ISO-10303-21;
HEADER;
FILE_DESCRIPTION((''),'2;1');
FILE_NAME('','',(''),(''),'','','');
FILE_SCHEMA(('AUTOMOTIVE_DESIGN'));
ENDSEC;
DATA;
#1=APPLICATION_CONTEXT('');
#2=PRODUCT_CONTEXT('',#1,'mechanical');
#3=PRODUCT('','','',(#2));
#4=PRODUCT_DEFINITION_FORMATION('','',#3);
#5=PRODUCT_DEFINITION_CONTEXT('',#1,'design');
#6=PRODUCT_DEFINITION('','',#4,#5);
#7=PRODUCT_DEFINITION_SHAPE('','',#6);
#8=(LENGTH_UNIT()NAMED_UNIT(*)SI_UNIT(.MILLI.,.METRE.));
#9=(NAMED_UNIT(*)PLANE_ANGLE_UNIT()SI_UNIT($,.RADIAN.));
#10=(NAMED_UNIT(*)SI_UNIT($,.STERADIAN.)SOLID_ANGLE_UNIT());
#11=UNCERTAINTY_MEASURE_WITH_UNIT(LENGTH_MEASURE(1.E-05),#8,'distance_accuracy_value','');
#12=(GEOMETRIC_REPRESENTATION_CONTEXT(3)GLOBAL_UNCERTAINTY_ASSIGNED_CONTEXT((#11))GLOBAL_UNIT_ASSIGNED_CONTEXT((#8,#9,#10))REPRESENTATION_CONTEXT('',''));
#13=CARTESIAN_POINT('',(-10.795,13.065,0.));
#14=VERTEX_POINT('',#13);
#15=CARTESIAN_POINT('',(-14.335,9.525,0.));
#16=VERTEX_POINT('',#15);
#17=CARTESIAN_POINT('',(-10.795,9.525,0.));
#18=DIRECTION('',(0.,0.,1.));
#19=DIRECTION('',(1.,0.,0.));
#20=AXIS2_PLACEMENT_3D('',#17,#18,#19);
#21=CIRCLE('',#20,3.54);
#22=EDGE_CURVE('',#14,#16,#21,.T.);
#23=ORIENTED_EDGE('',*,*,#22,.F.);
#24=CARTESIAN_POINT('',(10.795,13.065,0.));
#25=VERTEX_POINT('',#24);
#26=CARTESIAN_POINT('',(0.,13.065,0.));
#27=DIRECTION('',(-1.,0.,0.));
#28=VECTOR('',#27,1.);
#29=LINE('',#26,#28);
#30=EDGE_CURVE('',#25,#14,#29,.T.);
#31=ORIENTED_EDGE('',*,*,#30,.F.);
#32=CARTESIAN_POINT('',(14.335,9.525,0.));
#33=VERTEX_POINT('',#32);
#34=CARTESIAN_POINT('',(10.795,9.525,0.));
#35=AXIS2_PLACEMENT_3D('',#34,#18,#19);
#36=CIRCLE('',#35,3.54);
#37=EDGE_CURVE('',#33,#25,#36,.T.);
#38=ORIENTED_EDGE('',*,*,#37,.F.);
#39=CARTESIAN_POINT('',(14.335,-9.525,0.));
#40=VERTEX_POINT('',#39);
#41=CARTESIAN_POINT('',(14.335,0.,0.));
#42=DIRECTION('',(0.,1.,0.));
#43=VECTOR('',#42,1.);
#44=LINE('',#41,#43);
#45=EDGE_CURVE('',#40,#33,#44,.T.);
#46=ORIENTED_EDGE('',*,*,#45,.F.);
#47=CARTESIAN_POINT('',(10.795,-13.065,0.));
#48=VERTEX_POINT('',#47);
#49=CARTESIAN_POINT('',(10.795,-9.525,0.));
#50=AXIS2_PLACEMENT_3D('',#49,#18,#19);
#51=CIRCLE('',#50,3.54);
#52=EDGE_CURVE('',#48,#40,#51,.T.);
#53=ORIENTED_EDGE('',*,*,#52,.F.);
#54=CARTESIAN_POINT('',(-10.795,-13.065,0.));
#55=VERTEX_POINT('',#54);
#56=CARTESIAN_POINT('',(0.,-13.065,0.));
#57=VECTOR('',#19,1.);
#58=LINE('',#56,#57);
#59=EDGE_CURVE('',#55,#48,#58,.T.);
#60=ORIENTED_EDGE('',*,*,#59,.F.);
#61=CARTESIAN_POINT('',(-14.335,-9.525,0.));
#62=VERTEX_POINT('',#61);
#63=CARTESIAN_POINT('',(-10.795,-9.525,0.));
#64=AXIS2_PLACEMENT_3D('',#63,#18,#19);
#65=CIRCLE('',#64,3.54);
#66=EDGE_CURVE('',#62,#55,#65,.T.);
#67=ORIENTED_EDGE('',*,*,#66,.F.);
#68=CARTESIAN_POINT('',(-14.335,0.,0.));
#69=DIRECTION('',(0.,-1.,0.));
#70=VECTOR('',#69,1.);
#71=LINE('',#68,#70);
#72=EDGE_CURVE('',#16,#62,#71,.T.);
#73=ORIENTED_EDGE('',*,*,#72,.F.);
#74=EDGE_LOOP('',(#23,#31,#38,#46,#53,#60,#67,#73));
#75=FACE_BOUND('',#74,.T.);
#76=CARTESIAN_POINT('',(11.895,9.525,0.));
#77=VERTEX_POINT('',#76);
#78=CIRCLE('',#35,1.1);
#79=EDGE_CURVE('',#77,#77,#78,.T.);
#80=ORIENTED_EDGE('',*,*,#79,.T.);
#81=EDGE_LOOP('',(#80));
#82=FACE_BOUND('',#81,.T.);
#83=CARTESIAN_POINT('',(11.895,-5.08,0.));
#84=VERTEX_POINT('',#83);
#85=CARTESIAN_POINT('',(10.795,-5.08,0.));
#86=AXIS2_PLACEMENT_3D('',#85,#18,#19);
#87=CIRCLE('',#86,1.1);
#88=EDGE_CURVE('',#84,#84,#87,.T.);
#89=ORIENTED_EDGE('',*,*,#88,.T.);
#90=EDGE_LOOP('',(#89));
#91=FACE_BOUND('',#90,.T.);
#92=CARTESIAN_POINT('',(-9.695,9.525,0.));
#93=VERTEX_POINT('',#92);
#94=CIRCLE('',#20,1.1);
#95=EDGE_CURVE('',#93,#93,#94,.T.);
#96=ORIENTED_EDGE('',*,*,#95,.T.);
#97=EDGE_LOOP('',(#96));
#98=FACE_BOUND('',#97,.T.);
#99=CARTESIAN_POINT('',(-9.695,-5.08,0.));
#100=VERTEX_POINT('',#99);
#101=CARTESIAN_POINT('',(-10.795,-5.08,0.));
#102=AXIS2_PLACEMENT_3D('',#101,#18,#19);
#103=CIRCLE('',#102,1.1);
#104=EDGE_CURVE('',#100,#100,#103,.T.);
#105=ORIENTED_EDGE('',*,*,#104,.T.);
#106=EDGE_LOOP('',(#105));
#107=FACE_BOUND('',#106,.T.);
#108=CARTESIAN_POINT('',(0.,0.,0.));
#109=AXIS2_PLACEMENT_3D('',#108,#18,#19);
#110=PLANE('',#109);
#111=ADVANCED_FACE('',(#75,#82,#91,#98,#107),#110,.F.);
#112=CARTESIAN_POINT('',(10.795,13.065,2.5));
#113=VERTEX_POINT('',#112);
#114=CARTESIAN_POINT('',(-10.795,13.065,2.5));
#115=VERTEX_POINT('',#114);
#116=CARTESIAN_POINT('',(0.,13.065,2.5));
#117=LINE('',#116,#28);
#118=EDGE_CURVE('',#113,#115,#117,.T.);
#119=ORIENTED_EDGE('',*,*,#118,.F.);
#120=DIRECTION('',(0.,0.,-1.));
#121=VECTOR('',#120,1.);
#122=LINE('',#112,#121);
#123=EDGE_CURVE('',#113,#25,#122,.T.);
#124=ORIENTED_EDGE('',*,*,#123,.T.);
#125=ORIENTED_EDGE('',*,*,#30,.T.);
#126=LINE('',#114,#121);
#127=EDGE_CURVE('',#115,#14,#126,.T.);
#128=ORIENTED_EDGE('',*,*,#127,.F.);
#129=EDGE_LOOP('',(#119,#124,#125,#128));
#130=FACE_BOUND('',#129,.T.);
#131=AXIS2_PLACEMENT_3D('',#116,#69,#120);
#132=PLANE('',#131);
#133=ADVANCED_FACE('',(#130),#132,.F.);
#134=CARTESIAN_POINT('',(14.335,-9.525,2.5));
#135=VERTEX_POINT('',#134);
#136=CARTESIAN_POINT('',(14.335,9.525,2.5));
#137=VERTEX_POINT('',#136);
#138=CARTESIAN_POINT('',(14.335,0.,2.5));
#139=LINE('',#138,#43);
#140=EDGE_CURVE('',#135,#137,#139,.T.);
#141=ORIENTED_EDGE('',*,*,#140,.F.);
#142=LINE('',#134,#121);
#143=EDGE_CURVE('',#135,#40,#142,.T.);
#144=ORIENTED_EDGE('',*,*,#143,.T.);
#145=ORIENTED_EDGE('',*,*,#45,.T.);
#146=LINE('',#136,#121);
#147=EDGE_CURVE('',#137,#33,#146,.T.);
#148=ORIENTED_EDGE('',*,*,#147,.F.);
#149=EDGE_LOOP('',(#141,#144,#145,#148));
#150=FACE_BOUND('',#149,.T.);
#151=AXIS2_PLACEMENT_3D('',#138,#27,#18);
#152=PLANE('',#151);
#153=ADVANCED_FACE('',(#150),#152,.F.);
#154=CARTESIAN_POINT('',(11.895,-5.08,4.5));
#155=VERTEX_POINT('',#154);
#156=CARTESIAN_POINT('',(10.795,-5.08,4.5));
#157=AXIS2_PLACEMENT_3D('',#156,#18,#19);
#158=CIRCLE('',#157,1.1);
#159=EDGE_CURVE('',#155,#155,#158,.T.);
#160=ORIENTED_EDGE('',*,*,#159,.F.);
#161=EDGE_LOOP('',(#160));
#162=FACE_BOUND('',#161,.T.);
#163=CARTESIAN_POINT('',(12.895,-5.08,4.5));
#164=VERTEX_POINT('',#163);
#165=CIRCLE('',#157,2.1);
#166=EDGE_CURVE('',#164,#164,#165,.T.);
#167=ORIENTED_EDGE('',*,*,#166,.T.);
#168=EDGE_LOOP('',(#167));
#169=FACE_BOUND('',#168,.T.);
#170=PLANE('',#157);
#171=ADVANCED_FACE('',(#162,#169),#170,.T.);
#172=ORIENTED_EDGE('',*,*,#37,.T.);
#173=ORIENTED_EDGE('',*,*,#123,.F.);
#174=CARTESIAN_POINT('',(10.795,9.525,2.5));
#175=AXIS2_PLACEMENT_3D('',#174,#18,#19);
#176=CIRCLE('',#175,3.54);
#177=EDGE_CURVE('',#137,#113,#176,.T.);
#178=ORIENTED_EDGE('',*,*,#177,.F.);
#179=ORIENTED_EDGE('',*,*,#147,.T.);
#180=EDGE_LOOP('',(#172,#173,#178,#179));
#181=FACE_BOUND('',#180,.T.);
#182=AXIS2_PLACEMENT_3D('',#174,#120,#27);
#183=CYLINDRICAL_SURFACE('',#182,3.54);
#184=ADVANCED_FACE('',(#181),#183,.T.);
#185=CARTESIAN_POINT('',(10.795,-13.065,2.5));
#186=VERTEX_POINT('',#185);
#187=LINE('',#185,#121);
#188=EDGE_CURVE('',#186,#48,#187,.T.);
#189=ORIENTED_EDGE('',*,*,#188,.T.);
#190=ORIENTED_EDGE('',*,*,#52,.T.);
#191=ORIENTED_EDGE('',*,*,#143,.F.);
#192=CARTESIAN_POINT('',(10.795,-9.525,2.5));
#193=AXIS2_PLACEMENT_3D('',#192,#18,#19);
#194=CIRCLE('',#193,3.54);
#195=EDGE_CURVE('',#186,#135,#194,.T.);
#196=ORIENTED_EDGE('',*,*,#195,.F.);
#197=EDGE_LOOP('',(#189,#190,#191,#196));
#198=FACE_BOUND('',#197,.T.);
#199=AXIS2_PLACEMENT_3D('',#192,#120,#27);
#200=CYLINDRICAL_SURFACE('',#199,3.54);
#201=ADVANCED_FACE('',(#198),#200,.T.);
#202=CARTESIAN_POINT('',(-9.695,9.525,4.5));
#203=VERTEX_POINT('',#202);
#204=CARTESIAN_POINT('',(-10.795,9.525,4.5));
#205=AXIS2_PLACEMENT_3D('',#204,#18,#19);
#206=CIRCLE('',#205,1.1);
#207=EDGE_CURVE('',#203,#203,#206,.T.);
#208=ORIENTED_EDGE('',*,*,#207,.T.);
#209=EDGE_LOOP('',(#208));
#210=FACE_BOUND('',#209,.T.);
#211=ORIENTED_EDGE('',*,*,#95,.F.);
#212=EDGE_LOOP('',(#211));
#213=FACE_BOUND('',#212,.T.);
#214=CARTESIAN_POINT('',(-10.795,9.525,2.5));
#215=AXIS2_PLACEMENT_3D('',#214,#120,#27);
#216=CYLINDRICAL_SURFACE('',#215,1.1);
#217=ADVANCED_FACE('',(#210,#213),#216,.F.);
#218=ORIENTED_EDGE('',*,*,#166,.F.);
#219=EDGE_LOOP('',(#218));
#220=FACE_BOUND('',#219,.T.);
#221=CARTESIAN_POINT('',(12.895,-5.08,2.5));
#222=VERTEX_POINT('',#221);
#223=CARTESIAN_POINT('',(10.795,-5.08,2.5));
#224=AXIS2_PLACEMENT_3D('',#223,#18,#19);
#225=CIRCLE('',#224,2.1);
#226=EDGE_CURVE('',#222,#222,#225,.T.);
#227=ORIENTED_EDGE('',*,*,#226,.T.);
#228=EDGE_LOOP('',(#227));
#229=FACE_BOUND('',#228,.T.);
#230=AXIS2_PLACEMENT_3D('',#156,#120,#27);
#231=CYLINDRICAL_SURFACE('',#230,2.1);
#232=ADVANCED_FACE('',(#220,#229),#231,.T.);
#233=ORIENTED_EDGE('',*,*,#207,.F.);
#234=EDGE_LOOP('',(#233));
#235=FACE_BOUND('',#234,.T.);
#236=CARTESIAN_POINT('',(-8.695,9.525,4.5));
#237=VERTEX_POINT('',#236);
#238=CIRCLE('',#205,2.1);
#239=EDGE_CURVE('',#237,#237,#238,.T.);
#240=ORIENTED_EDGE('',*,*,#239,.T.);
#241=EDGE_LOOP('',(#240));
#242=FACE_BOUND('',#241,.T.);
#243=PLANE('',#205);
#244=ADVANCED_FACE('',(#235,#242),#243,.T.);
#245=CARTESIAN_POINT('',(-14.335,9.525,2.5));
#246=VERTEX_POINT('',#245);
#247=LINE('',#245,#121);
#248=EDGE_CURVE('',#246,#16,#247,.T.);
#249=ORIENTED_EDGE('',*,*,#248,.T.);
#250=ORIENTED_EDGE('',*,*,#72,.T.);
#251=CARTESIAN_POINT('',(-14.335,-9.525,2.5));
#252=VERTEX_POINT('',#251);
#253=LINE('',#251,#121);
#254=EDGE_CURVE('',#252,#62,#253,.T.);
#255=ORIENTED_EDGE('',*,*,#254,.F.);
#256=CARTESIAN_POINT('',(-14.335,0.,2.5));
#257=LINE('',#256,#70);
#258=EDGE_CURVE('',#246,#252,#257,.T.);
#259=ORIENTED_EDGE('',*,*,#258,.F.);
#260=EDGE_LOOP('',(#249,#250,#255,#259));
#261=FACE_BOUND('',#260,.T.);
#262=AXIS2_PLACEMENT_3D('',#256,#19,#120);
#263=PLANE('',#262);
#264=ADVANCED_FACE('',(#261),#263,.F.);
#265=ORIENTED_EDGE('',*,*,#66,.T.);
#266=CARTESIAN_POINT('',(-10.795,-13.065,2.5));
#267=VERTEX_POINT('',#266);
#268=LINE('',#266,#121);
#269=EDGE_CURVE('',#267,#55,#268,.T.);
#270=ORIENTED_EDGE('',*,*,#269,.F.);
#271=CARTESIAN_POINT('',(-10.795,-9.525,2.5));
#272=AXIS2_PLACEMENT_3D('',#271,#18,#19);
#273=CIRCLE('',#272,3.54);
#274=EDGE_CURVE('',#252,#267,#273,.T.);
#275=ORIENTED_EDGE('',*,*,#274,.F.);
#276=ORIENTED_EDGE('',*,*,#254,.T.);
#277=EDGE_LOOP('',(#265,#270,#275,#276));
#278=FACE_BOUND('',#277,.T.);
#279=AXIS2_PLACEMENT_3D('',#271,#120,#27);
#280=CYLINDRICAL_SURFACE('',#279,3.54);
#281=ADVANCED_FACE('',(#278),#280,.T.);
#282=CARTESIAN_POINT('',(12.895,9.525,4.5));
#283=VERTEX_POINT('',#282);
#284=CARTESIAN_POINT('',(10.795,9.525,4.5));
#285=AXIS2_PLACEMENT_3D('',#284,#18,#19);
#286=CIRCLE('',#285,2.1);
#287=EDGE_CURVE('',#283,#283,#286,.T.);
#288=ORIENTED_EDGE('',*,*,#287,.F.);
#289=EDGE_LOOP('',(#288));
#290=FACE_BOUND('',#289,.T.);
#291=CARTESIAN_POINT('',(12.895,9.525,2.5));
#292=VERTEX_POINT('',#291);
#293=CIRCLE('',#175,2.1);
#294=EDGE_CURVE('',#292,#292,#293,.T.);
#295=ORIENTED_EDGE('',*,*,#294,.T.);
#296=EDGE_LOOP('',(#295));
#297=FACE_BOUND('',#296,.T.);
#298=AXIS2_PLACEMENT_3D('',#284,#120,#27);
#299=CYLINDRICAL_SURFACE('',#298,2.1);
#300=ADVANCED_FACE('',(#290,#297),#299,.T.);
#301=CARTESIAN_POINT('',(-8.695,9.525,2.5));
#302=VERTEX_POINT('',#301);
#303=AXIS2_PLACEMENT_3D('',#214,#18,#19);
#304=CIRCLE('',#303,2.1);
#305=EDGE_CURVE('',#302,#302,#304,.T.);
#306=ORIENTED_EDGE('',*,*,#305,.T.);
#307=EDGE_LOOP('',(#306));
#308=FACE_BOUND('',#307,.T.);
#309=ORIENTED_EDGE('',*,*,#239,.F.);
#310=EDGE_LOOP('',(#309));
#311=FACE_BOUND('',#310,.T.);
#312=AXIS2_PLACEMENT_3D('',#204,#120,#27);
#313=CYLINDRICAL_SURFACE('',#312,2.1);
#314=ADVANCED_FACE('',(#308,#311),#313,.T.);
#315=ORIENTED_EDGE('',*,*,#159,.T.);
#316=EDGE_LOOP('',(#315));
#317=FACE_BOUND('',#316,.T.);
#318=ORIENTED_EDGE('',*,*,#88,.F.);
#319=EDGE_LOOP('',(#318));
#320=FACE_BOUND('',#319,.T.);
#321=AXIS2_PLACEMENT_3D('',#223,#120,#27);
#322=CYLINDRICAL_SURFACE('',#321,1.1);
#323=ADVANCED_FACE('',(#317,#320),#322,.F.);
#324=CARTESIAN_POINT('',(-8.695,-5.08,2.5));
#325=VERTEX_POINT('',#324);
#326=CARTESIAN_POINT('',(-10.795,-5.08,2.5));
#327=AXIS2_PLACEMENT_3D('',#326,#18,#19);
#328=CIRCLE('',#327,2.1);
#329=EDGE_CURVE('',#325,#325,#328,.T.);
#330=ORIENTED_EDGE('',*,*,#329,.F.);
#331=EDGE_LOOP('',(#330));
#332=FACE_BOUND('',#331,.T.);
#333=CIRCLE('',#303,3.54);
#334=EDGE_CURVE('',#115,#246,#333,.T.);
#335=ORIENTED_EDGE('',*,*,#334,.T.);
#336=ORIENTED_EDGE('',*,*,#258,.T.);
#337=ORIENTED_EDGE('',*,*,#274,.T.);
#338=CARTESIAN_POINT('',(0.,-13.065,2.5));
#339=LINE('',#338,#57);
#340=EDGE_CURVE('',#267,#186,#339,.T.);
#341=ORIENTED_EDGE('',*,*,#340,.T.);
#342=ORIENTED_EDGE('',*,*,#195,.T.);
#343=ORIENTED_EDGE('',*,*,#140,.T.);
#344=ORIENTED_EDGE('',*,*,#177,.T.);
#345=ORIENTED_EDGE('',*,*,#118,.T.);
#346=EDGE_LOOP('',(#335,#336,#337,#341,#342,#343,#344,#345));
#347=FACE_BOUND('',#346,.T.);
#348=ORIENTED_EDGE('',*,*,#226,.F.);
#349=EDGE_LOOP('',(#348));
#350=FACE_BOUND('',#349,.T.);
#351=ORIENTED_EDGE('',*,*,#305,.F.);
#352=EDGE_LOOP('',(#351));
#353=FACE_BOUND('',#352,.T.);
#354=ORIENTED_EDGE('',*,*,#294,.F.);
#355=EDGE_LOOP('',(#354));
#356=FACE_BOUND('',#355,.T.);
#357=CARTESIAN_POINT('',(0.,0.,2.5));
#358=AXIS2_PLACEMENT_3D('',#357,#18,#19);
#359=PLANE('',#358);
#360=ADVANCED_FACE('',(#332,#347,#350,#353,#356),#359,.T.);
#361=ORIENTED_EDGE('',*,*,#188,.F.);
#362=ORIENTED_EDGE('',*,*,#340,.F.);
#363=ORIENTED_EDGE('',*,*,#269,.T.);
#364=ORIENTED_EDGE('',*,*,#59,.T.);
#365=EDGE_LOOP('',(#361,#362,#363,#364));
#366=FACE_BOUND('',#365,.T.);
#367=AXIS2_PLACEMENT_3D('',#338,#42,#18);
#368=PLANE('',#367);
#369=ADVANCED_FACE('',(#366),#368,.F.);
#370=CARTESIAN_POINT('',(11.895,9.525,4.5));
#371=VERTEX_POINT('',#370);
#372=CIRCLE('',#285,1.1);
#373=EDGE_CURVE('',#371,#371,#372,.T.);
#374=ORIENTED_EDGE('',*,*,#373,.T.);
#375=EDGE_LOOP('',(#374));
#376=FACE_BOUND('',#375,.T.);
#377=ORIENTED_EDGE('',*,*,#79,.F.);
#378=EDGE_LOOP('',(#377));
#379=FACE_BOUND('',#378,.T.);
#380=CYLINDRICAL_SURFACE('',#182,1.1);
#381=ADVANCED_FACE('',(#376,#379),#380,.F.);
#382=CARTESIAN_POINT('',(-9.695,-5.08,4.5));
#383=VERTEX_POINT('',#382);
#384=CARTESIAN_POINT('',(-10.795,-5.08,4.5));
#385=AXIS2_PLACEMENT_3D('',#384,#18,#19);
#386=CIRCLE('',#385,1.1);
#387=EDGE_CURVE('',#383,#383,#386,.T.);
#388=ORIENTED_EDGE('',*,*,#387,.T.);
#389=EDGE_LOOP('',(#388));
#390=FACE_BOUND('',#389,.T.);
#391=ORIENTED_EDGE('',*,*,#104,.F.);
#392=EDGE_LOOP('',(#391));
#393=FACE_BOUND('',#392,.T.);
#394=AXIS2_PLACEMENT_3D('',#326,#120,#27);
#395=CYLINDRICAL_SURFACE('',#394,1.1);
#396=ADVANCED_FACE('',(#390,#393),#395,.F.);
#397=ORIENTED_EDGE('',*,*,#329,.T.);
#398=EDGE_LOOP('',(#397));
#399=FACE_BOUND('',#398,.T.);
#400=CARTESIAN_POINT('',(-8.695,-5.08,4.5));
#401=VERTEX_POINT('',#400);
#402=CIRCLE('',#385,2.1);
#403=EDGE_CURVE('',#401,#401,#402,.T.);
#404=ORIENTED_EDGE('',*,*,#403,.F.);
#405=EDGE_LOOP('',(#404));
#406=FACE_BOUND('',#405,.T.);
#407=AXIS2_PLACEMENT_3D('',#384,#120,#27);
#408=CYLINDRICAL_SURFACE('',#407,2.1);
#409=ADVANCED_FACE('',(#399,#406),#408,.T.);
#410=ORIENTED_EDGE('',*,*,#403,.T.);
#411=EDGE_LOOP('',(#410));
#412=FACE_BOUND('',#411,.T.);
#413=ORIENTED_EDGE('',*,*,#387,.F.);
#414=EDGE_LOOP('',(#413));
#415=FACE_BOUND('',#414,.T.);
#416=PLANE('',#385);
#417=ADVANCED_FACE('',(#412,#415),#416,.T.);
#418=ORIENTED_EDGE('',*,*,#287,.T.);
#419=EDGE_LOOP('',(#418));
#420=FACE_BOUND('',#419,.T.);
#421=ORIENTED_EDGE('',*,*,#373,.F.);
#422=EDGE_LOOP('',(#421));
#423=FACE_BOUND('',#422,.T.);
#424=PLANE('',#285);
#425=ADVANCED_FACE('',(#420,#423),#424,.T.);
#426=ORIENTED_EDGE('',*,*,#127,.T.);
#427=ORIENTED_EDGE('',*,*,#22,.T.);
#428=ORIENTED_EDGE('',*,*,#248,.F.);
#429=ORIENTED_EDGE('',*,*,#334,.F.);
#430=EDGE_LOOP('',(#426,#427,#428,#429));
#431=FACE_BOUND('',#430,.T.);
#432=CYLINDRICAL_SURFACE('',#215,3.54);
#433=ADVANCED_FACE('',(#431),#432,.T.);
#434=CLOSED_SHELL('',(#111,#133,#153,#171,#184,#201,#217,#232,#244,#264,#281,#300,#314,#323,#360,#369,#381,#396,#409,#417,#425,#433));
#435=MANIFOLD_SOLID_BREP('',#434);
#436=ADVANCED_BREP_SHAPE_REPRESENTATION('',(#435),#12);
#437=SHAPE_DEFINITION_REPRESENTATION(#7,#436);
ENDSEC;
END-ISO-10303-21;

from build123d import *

# Parameters (mm, degrees)
SKETCH1_R           = 2.1
SKETCH1_R_2         = 1.1
BOSS_EXTRUDE1_DEPTH = 2.5
BOSS_EXTRUDE2_START = 2.5
SKETCH1_3_R         = 2.1
SKETCH1_3_R_2       = 1.1
BOSS_EXTRUDE2_DEPTH = 2


with BuildPart() as part:
    # Sketch1 → Boss-Extrude1 (new body)
    # profile 1 of 5: a face of its own
    with BuildSketch(Plane.XY):
        with BuildLine():
            Line((10.795, 13.065), (-10.795, 13.065))
            ThreePointArc((-10.795, 13.065), (-13.298158005, 12.028158005), (-14.335, 9.525))
            Line((-14.335, 9.525), (-14.335, -9.525))
            ThreePointArc((-14.335, -9.525), (-13.298158005, -12.028158005), (-10.795, -13.065))
            Line((-10.795, -13.065), (10.795, -13.065))
            ThreePointArc((10.795, -13.065), (13.298158005, -12.028158005), (14.335, -9.525))
            Line((14.335, -9.525), (14.335, 9.525))
            ThreePointArc((14.335, 9.525), (13.298158005, 12.028158005), (10.795, 13.065))
        make_face()
        with Locations((10.795, 9.525)):
            Circle(SKETCH1_R, mode=Mode.SUBTRACT)
        with Locations((10.795, -5.08)):
            Circle(SKETCH1_R, mode=Mode.SUBTRACT)
        with Locations((-10.795, -5.08)):
            Circle(SKETCH1_R, mode=Mode.SUBTRACT)
        with Locations((-10.795, 9.525)):
            Circle(SKETCH1_R, mode=Mode.SUBTRACT)
    # profile 2 of 5: a face of its own
    with BuildSketch(Plane.XY):
        with Locations((-10.795, -5.08)):
            Circle(SKETCH1_R)
        with Locations((-10.795, -5.08)):
            Circle(SKETCH1_R_2, mode=Mode.SUBTRACT)
    # profile 3 of 5: a face of its own
    with BuildSketch(Plane.XY):
        with Locations((-10.795, 9.525)):
            Circle(SKETCH1_R)
        with Locations((-10.795, 9.525)):
            Circle(SKETCH1_R_2, mode=Mode.SUBTRACT)
    # profile 4 of 5: a face of its own
    with BuildSketch(Plane.XY):
        with Locations((10.795, 9.525)):
            Circle(SKETCH1_R)
        with Locations((10.795, 9.525)):
            Circle(SKETCH1_R_2, mode=Mode.SUBTRACT)
    # profile 5 of 5: a face of its own
    with BuildSketch(Plane.XY):
        with Locations((10.795, -5.08)):
            Circle(SKETCH1_R)
        with Locations((10.795, -5.08)):
            Circle(SKETCH1_R_2, mode=Mode.SUBTRACT)
    extrude(amount=BOSS_EXTRUDE1_DEPTH)

    # Sketch1<3> → Boss-Extrude2 (add)
    # profile 1 of 4: a face of its own
    with BuildSketch(Plane.XY.offset(BOSS_EXTRUDE2_START)):
        with Locations((-10.795, 9.525)):
            Circle(SKETCH1_3_R)
        with Locations((-10.795, 9.525)):
            Circle(SKETCH1_3_R_2, mode=Mode.SUBTRACT)
    # profile 2 of 4: a face of its own
    with BuildSketch(Plane.XY.offset(BOSS_EXTRUDE2_START)):
        with Locations((10.795, 9.525)):
            Circle(SKETCH1_3_R)
        with Locations((10.795, 9.525)):
            Circle(SKETCH1_3_R_2, mode=Mode.SUBTRACT)
    # profile 3 of 4: a face of its own
    with BuildSketch(Plane.XY.offset(BOSS_EXTRUDE2_START)):
        with Locations((10.795, -5.08)):
            Circle(SKETCH1_3_R)
        with Locations((10.795, -5.08)):
            Circle(SKETCH1_3_R_2, mode=Mode.SUBTRACT)
    # profile 4 of 4: a face of its own
    with BuildSketch(Plane.XY.offset(BOSS_EXTRUDE2_START)):
        with Locations((-10.795, -5.08)):
            Circle(SKETCH1_3_R)
        with Locations((-10.795, -5.08)):
            Circle(SKETCH1_3_R_2, mode=Mode.SUBTRACT)
    extrude(amount=BOSS_EXTRUDE2_DEPTH)


solid = part.part
